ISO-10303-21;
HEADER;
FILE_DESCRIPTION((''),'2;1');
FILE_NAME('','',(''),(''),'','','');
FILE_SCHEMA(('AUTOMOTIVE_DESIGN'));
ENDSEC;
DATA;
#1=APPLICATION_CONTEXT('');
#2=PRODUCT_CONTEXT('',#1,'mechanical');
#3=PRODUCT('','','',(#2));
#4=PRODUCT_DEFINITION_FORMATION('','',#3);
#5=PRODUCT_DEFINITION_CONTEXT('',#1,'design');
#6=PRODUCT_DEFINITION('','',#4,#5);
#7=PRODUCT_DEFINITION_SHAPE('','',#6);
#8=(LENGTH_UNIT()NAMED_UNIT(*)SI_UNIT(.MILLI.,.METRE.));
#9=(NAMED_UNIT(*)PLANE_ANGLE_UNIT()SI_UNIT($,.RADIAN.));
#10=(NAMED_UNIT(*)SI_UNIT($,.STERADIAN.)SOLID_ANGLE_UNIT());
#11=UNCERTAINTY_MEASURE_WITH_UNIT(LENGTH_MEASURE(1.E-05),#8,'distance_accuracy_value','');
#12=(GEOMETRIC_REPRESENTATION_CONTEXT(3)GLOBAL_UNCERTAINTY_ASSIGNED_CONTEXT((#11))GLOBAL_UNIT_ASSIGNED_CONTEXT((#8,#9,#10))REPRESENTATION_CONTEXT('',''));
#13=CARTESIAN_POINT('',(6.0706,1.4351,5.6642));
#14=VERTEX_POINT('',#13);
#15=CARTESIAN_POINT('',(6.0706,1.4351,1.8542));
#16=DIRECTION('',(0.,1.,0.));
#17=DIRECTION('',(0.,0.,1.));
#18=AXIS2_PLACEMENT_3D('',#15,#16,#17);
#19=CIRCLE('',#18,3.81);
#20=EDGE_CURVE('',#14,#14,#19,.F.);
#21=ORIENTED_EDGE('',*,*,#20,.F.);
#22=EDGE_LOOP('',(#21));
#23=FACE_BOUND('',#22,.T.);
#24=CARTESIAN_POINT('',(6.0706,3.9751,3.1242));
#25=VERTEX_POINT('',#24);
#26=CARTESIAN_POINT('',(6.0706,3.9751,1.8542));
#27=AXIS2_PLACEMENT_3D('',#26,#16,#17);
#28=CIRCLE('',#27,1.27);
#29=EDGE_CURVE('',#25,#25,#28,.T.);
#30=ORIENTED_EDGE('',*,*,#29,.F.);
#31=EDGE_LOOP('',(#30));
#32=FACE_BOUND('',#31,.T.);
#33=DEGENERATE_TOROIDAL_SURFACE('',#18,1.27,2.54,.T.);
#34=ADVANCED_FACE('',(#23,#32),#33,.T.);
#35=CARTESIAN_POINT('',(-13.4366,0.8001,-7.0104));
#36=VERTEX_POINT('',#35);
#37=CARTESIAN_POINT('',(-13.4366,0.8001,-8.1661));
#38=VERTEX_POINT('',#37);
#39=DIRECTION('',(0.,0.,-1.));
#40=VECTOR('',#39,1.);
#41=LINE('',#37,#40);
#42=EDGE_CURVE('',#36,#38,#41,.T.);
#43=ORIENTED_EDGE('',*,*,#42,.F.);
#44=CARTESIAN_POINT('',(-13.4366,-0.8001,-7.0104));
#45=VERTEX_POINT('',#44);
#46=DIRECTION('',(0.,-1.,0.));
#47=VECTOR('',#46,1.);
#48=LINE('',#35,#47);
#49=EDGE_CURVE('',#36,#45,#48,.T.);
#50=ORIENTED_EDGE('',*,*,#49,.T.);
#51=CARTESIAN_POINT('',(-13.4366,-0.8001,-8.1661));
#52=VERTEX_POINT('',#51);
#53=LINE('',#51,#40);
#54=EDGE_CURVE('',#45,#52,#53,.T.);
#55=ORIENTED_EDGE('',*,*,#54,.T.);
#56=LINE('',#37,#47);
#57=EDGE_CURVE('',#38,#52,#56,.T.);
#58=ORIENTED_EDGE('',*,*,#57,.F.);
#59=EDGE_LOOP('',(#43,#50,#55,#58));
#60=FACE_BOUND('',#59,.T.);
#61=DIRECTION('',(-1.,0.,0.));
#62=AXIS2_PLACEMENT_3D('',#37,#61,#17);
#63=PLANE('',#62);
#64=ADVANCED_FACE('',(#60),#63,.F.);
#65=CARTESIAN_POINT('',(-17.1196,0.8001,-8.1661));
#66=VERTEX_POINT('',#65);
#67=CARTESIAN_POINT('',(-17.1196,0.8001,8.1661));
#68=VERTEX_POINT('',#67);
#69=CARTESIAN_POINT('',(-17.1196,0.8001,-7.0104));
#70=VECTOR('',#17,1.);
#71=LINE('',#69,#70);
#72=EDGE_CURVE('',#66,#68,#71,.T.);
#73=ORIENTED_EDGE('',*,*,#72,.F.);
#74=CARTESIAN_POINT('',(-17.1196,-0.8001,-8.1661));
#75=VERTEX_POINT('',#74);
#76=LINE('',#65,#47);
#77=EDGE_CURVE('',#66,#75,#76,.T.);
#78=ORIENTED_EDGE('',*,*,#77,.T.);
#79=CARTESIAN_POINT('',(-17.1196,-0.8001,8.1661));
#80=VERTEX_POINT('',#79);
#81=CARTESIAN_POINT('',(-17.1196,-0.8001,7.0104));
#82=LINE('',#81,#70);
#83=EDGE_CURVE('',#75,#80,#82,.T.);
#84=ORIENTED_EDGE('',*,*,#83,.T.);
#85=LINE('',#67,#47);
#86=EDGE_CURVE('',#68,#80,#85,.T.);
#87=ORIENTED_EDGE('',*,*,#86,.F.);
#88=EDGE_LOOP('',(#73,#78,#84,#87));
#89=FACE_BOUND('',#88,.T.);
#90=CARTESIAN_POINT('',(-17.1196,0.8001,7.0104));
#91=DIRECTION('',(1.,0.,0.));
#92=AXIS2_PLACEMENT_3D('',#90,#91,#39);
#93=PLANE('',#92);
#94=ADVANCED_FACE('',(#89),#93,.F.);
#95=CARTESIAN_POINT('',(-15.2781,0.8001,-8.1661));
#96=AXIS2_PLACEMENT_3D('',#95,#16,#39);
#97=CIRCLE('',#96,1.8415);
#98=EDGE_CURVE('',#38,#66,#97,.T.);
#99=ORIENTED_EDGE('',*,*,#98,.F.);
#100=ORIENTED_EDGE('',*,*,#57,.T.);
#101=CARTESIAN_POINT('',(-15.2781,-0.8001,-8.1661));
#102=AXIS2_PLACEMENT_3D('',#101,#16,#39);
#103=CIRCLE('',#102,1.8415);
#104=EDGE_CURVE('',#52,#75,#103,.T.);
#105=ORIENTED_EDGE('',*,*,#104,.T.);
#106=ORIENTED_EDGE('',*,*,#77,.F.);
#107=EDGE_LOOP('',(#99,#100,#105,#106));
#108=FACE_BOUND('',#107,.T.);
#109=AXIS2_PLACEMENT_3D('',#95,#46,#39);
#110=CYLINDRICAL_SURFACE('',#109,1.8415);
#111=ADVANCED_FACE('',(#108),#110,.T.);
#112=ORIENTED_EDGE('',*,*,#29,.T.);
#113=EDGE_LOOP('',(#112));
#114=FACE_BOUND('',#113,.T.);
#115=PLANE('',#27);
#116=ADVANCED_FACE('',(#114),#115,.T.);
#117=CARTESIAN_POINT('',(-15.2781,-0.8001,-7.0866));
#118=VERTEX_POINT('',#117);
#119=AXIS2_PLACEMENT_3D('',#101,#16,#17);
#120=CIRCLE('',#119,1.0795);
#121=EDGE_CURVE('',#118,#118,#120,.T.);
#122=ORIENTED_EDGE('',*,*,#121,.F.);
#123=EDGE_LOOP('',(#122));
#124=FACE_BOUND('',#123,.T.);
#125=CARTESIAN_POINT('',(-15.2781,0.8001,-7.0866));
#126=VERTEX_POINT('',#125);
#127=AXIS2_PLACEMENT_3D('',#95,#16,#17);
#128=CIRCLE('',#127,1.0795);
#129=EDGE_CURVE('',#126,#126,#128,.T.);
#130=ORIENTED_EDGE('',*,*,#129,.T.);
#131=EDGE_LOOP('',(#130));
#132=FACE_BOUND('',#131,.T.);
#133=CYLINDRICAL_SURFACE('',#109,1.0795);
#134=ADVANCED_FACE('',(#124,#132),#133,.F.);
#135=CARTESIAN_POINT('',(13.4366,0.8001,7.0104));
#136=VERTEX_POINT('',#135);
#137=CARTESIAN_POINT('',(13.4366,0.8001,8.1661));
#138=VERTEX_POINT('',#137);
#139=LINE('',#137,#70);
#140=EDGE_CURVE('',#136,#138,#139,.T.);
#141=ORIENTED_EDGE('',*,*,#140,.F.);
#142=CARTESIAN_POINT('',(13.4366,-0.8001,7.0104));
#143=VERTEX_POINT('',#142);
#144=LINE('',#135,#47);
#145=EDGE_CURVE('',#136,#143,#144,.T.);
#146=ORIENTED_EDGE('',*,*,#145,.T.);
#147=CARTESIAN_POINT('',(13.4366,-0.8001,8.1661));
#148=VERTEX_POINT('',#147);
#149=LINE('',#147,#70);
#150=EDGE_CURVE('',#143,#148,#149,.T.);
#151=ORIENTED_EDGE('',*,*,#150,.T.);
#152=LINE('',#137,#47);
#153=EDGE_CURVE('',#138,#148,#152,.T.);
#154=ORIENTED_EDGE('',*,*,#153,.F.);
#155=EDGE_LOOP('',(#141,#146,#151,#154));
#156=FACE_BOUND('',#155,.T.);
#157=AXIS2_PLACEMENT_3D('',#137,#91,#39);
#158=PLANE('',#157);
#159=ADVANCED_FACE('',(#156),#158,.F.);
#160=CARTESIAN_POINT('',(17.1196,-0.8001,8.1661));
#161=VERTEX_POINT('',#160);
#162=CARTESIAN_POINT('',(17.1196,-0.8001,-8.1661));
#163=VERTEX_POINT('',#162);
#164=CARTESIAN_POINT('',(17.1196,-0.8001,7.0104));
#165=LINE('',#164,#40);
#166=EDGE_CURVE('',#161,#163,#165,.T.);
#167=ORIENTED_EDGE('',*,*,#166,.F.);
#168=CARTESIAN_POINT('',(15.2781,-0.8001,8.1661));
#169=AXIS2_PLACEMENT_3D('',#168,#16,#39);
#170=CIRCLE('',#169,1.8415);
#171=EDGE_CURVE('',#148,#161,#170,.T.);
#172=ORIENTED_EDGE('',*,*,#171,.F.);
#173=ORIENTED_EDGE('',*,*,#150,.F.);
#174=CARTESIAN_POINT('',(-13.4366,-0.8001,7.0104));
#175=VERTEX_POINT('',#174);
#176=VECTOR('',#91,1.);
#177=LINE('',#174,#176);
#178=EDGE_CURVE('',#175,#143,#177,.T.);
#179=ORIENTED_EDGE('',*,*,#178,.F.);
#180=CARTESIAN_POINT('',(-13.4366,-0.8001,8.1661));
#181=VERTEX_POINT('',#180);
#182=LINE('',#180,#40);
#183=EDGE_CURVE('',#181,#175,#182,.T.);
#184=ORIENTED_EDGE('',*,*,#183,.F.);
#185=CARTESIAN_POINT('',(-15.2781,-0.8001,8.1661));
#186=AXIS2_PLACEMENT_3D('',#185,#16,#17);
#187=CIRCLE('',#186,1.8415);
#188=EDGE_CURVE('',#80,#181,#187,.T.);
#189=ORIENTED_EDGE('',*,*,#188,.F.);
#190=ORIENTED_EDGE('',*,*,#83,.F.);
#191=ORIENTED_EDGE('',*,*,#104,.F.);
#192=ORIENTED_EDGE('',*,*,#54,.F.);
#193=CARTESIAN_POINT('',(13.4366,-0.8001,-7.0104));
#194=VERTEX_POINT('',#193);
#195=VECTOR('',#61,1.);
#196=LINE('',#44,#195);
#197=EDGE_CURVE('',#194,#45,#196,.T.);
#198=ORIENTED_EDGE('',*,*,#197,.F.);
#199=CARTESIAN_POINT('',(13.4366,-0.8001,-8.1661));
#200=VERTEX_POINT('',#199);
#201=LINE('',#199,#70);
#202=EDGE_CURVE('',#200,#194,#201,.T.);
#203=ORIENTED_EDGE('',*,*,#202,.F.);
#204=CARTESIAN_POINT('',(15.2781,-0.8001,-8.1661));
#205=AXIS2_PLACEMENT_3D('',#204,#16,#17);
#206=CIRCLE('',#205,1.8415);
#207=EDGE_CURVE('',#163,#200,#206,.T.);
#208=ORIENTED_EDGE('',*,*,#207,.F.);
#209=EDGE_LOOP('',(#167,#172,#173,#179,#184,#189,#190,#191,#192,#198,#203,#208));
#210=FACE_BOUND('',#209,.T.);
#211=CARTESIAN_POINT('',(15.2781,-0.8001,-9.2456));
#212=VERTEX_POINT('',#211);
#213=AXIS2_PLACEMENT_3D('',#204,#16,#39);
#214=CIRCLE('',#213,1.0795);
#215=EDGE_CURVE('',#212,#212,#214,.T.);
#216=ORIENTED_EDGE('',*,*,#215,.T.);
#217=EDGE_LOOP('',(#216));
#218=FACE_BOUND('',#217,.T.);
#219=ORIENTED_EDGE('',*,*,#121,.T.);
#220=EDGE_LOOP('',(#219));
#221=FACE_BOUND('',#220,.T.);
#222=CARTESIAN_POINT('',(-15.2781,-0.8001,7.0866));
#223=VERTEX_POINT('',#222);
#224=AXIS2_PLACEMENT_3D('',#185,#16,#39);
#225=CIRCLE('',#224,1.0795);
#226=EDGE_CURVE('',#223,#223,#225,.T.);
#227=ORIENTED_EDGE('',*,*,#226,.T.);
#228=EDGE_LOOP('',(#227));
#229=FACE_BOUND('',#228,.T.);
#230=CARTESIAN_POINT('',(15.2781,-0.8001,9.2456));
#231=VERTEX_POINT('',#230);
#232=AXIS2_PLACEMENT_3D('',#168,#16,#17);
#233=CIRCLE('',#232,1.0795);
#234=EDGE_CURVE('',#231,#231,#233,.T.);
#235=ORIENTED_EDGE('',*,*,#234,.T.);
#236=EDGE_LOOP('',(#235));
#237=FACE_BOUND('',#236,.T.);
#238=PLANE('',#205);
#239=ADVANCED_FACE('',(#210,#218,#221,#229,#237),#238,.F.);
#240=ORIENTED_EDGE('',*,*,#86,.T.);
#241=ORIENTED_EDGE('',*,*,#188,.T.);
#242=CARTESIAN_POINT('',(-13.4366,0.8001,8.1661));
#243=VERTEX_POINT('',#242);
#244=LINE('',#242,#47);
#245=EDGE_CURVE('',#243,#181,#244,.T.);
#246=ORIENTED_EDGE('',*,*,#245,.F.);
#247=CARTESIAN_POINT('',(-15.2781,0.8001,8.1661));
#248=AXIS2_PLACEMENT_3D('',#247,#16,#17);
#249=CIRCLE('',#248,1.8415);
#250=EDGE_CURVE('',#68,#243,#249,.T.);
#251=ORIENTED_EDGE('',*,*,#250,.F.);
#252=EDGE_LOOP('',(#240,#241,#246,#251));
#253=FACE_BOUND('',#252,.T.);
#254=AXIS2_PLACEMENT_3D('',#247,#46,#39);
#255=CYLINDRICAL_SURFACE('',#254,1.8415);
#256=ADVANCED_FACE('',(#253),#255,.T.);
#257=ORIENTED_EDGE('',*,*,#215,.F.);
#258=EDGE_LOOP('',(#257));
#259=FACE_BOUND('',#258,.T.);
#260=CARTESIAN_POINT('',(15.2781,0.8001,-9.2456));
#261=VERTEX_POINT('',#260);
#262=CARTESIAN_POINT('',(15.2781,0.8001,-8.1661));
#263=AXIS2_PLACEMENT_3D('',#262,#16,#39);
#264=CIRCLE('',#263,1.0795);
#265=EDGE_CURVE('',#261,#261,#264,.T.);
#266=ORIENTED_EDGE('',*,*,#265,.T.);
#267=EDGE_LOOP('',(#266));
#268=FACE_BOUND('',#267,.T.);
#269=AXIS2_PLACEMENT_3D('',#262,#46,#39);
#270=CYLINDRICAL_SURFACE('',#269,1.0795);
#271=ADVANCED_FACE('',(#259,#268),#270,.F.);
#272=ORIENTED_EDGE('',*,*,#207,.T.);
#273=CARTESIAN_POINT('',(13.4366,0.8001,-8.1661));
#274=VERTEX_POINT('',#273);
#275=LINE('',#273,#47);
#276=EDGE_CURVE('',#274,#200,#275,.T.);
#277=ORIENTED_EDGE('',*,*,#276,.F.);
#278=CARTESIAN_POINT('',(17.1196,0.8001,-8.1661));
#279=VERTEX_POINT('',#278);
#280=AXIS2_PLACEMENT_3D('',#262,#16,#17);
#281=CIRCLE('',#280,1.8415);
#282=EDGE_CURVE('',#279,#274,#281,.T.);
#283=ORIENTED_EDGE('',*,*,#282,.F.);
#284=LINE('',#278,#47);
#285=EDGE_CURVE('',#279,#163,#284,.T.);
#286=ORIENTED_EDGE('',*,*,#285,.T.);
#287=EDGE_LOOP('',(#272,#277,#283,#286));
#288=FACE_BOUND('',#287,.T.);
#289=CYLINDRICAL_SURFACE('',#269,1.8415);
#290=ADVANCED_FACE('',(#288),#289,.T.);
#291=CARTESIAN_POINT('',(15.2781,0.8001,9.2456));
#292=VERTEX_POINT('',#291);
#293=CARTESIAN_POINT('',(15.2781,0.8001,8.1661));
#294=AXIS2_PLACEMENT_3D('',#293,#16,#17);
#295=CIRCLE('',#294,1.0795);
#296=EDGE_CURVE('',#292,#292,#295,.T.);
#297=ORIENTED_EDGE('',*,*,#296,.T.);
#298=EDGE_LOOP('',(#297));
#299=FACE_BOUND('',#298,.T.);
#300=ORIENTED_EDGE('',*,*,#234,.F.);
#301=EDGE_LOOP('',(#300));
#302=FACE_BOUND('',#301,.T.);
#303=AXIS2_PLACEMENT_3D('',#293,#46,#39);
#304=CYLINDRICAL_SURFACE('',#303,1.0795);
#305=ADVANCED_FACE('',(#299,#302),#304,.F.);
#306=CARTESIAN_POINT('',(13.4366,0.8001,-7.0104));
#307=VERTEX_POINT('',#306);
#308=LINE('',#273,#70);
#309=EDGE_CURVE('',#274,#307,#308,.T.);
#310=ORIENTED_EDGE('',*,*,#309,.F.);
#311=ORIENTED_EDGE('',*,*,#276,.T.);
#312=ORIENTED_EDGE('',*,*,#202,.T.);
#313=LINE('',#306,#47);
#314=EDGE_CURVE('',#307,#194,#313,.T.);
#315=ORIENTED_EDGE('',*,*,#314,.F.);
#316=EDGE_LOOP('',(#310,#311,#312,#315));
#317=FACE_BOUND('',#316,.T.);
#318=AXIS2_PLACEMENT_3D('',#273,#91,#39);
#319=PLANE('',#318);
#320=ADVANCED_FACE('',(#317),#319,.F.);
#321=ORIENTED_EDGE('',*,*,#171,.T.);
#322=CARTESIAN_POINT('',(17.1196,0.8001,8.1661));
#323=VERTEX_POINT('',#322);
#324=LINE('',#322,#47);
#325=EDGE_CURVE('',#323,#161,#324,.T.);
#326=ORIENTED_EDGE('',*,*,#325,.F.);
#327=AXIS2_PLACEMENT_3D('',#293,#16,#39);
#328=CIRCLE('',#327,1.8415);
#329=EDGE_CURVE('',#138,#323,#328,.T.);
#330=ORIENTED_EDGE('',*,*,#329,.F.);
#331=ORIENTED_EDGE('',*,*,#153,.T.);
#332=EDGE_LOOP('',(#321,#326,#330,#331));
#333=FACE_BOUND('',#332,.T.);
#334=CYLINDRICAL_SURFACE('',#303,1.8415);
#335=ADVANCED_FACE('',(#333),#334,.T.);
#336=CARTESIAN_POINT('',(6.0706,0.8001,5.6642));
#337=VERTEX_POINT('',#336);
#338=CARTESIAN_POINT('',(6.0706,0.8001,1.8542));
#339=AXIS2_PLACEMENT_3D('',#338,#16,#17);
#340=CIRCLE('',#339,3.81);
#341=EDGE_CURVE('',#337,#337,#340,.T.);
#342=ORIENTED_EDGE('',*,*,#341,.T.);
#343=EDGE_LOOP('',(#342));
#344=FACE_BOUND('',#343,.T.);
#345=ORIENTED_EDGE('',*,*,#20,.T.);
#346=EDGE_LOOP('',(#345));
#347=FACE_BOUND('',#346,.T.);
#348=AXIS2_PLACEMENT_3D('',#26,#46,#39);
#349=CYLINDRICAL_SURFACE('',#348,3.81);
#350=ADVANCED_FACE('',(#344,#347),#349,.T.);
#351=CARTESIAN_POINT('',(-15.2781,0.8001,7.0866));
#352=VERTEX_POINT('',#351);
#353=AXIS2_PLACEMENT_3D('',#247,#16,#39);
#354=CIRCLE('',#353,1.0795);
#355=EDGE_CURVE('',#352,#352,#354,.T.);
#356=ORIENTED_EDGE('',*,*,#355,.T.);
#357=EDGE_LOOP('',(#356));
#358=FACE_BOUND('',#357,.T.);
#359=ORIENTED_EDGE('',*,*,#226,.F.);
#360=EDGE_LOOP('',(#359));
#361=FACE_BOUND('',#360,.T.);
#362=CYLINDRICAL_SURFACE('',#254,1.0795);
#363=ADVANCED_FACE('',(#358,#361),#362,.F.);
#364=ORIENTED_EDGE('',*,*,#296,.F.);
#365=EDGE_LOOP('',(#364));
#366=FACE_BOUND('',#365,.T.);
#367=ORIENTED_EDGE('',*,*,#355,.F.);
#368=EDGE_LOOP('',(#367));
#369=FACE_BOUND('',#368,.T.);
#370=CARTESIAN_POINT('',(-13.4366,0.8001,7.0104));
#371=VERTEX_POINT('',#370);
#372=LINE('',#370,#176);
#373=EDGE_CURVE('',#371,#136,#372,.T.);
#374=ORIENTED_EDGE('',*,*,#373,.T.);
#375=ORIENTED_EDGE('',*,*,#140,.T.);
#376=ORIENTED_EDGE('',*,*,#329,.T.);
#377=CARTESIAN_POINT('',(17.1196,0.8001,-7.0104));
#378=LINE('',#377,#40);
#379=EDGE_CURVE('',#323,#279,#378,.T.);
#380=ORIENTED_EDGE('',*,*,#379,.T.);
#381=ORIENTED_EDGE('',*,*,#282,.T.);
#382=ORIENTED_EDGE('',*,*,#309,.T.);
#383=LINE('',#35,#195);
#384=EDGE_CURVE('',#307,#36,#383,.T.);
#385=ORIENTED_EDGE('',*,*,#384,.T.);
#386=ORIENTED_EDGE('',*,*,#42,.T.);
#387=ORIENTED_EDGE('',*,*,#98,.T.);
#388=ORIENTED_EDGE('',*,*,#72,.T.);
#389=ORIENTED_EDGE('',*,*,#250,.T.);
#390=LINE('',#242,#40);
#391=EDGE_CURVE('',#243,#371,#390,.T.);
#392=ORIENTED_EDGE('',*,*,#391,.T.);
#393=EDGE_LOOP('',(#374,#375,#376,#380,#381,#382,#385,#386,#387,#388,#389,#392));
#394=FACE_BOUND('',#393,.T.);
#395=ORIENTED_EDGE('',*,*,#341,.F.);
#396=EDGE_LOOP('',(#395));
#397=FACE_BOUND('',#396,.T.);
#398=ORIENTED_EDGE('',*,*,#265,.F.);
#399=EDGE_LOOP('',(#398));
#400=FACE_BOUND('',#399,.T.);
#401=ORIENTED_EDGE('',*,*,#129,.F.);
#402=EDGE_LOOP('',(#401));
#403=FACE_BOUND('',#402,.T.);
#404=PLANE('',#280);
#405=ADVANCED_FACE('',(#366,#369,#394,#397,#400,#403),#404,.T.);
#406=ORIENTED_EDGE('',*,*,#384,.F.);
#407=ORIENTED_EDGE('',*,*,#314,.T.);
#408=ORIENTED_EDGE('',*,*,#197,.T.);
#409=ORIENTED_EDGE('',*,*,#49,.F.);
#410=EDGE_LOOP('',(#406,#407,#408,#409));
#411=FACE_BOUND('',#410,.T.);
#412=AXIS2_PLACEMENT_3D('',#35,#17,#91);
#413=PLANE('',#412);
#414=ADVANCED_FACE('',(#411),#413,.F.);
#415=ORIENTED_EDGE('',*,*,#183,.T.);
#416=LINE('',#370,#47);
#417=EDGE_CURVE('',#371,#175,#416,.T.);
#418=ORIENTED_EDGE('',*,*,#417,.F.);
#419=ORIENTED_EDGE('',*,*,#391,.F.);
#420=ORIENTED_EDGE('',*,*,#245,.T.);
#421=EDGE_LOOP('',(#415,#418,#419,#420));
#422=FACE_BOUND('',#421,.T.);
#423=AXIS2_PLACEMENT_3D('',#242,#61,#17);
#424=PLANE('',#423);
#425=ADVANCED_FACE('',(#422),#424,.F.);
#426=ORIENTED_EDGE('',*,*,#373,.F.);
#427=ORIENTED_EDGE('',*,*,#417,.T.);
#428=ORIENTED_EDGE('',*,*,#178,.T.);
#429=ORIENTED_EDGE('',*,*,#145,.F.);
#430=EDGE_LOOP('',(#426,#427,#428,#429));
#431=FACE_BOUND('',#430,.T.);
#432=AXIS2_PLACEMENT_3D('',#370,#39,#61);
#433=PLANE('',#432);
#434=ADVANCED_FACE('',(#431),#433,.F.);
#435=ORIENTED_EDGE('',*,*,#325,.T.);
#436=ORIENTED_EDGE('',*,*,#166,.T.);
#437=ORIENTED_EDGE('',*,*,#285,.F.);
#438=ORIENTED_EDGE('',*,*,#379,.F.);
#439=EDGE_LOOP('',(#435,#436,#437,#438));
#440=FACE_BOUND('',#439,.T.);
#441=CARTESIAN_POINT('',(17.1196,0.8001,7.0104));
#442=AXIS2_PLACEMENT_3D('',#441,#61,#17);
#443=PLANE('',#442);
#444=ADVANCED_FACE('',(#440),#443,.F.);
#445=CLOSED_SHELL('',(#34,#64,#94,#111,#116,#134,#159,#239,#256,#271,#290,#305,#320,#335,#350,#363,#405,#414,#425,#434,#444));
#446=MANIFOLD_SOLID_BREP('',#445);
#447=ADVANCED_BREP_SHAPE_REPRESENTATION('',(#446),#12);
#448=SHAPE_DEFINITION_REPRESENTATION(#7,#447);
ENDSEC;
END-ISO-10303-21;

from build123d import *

# Parameters (mm, degrees)
SKETCH1_R           = 1.0795
BOSS_EXTRUDE1_DEPTH = 0.8001
SKETCH2_R           = 3.81
BOSS_EXTRUDE2_DEPTH = 3.175
FILLET1_R           = 2.54


with BuildPart() as part:
    # Sketch1 → Boss-Extrude1 (new body, symmetric)
    with BuildSketch(Plane(origin=(0, 0, 0), x_dir=(1, 0, 0), z_dir=(0, 1, 0))):
        with BuildLine():
            Line((-13.4366, -7.0104), (13.4366, -7.0104))
            Line((13.4366, -7.0104), (13.4366, -8.1661))
            ThreePointArc((13.4366, -8.1661), (15.2781, -10.0076), (17.1196, -8.1661))
            Line((17.1196, -8.1661), (17.1196, -7.0104))
            Line((17.1196, -7.0104), (17.1196, 7.0104))
            Line((17.1196, 7.0104), (17.1196, 8.1661))
            ThreePointArc((17.1196, 8.1661), (15.2781, 10.0076), (13.4366, 8.1661))
            Line((13.4366, 8.1661), (13.4366, 7.0104))
            Line((13.4366, 7.0104), (-13.4366, 7.0104))
            Line((-13.4366, 7.0104), (-13.4366, 8.1661))
            ThreePointArc((-13.4366, 8.1661), (-15.2781, 10.0076), (-17.1196, 8.1661))
            Line((-17.1196, 8.1661), (-17.1196, 7.0104))
            Line((-17.1196, 7.0104), (-17.1196, -7.0104))
            Line((-17.1196, -7.0104), (-17.1196, -8.1661))
            ThreePointArc((-17.1196, -8.1661), (-15.2781, -10.0076), (-13.4366, -8.1661))
            Line((-13.4366, -8.1661), (-13.4366, -7.0104))
        make_face()
        with Locations((-15.2781, 8.1661)):
            Circle(SKETCH1_R, mode=Mode.SUBTRACT)
        with Locations((-15.2781, -8.1661)):
            Circle(SKETCH1_R, mode=Mode.SUBTRACT)
        with Locations((15.2781, 8.1661)):
            Circle(SKETCH1_R, mode=Mode.SUBTRACT)
        with Locations((15.2781, -8.1661)):
            Circle(SKETCH1_R, mode=Mode.SUBTRACT)
    extrude(amount=BOSS_EXTRUDE1_DEPTH, both=True)

    # Sketch2 → Boss-Extrude2 (add)
    with BuildSketch(Plane(origin=(0, 0.8001, 0), x_dir=(1, 0, 0), z_dir=(0, 1, 0))):
        with Locations((6.0706, -1.8542)):
            Circle(SKETCH2_R)
    extrude(amount=BOSS_EXTRUDE2_DEPTH)

    # Fillet1
    fillet1_edges = [part.edges().sort_by_distance(p)[0] for p in [
        (2.2606, 3.9751, 1.8542),
    ]]
    fillet(fillet1_edges, radius=FILLET1_R)


solid = part.part
